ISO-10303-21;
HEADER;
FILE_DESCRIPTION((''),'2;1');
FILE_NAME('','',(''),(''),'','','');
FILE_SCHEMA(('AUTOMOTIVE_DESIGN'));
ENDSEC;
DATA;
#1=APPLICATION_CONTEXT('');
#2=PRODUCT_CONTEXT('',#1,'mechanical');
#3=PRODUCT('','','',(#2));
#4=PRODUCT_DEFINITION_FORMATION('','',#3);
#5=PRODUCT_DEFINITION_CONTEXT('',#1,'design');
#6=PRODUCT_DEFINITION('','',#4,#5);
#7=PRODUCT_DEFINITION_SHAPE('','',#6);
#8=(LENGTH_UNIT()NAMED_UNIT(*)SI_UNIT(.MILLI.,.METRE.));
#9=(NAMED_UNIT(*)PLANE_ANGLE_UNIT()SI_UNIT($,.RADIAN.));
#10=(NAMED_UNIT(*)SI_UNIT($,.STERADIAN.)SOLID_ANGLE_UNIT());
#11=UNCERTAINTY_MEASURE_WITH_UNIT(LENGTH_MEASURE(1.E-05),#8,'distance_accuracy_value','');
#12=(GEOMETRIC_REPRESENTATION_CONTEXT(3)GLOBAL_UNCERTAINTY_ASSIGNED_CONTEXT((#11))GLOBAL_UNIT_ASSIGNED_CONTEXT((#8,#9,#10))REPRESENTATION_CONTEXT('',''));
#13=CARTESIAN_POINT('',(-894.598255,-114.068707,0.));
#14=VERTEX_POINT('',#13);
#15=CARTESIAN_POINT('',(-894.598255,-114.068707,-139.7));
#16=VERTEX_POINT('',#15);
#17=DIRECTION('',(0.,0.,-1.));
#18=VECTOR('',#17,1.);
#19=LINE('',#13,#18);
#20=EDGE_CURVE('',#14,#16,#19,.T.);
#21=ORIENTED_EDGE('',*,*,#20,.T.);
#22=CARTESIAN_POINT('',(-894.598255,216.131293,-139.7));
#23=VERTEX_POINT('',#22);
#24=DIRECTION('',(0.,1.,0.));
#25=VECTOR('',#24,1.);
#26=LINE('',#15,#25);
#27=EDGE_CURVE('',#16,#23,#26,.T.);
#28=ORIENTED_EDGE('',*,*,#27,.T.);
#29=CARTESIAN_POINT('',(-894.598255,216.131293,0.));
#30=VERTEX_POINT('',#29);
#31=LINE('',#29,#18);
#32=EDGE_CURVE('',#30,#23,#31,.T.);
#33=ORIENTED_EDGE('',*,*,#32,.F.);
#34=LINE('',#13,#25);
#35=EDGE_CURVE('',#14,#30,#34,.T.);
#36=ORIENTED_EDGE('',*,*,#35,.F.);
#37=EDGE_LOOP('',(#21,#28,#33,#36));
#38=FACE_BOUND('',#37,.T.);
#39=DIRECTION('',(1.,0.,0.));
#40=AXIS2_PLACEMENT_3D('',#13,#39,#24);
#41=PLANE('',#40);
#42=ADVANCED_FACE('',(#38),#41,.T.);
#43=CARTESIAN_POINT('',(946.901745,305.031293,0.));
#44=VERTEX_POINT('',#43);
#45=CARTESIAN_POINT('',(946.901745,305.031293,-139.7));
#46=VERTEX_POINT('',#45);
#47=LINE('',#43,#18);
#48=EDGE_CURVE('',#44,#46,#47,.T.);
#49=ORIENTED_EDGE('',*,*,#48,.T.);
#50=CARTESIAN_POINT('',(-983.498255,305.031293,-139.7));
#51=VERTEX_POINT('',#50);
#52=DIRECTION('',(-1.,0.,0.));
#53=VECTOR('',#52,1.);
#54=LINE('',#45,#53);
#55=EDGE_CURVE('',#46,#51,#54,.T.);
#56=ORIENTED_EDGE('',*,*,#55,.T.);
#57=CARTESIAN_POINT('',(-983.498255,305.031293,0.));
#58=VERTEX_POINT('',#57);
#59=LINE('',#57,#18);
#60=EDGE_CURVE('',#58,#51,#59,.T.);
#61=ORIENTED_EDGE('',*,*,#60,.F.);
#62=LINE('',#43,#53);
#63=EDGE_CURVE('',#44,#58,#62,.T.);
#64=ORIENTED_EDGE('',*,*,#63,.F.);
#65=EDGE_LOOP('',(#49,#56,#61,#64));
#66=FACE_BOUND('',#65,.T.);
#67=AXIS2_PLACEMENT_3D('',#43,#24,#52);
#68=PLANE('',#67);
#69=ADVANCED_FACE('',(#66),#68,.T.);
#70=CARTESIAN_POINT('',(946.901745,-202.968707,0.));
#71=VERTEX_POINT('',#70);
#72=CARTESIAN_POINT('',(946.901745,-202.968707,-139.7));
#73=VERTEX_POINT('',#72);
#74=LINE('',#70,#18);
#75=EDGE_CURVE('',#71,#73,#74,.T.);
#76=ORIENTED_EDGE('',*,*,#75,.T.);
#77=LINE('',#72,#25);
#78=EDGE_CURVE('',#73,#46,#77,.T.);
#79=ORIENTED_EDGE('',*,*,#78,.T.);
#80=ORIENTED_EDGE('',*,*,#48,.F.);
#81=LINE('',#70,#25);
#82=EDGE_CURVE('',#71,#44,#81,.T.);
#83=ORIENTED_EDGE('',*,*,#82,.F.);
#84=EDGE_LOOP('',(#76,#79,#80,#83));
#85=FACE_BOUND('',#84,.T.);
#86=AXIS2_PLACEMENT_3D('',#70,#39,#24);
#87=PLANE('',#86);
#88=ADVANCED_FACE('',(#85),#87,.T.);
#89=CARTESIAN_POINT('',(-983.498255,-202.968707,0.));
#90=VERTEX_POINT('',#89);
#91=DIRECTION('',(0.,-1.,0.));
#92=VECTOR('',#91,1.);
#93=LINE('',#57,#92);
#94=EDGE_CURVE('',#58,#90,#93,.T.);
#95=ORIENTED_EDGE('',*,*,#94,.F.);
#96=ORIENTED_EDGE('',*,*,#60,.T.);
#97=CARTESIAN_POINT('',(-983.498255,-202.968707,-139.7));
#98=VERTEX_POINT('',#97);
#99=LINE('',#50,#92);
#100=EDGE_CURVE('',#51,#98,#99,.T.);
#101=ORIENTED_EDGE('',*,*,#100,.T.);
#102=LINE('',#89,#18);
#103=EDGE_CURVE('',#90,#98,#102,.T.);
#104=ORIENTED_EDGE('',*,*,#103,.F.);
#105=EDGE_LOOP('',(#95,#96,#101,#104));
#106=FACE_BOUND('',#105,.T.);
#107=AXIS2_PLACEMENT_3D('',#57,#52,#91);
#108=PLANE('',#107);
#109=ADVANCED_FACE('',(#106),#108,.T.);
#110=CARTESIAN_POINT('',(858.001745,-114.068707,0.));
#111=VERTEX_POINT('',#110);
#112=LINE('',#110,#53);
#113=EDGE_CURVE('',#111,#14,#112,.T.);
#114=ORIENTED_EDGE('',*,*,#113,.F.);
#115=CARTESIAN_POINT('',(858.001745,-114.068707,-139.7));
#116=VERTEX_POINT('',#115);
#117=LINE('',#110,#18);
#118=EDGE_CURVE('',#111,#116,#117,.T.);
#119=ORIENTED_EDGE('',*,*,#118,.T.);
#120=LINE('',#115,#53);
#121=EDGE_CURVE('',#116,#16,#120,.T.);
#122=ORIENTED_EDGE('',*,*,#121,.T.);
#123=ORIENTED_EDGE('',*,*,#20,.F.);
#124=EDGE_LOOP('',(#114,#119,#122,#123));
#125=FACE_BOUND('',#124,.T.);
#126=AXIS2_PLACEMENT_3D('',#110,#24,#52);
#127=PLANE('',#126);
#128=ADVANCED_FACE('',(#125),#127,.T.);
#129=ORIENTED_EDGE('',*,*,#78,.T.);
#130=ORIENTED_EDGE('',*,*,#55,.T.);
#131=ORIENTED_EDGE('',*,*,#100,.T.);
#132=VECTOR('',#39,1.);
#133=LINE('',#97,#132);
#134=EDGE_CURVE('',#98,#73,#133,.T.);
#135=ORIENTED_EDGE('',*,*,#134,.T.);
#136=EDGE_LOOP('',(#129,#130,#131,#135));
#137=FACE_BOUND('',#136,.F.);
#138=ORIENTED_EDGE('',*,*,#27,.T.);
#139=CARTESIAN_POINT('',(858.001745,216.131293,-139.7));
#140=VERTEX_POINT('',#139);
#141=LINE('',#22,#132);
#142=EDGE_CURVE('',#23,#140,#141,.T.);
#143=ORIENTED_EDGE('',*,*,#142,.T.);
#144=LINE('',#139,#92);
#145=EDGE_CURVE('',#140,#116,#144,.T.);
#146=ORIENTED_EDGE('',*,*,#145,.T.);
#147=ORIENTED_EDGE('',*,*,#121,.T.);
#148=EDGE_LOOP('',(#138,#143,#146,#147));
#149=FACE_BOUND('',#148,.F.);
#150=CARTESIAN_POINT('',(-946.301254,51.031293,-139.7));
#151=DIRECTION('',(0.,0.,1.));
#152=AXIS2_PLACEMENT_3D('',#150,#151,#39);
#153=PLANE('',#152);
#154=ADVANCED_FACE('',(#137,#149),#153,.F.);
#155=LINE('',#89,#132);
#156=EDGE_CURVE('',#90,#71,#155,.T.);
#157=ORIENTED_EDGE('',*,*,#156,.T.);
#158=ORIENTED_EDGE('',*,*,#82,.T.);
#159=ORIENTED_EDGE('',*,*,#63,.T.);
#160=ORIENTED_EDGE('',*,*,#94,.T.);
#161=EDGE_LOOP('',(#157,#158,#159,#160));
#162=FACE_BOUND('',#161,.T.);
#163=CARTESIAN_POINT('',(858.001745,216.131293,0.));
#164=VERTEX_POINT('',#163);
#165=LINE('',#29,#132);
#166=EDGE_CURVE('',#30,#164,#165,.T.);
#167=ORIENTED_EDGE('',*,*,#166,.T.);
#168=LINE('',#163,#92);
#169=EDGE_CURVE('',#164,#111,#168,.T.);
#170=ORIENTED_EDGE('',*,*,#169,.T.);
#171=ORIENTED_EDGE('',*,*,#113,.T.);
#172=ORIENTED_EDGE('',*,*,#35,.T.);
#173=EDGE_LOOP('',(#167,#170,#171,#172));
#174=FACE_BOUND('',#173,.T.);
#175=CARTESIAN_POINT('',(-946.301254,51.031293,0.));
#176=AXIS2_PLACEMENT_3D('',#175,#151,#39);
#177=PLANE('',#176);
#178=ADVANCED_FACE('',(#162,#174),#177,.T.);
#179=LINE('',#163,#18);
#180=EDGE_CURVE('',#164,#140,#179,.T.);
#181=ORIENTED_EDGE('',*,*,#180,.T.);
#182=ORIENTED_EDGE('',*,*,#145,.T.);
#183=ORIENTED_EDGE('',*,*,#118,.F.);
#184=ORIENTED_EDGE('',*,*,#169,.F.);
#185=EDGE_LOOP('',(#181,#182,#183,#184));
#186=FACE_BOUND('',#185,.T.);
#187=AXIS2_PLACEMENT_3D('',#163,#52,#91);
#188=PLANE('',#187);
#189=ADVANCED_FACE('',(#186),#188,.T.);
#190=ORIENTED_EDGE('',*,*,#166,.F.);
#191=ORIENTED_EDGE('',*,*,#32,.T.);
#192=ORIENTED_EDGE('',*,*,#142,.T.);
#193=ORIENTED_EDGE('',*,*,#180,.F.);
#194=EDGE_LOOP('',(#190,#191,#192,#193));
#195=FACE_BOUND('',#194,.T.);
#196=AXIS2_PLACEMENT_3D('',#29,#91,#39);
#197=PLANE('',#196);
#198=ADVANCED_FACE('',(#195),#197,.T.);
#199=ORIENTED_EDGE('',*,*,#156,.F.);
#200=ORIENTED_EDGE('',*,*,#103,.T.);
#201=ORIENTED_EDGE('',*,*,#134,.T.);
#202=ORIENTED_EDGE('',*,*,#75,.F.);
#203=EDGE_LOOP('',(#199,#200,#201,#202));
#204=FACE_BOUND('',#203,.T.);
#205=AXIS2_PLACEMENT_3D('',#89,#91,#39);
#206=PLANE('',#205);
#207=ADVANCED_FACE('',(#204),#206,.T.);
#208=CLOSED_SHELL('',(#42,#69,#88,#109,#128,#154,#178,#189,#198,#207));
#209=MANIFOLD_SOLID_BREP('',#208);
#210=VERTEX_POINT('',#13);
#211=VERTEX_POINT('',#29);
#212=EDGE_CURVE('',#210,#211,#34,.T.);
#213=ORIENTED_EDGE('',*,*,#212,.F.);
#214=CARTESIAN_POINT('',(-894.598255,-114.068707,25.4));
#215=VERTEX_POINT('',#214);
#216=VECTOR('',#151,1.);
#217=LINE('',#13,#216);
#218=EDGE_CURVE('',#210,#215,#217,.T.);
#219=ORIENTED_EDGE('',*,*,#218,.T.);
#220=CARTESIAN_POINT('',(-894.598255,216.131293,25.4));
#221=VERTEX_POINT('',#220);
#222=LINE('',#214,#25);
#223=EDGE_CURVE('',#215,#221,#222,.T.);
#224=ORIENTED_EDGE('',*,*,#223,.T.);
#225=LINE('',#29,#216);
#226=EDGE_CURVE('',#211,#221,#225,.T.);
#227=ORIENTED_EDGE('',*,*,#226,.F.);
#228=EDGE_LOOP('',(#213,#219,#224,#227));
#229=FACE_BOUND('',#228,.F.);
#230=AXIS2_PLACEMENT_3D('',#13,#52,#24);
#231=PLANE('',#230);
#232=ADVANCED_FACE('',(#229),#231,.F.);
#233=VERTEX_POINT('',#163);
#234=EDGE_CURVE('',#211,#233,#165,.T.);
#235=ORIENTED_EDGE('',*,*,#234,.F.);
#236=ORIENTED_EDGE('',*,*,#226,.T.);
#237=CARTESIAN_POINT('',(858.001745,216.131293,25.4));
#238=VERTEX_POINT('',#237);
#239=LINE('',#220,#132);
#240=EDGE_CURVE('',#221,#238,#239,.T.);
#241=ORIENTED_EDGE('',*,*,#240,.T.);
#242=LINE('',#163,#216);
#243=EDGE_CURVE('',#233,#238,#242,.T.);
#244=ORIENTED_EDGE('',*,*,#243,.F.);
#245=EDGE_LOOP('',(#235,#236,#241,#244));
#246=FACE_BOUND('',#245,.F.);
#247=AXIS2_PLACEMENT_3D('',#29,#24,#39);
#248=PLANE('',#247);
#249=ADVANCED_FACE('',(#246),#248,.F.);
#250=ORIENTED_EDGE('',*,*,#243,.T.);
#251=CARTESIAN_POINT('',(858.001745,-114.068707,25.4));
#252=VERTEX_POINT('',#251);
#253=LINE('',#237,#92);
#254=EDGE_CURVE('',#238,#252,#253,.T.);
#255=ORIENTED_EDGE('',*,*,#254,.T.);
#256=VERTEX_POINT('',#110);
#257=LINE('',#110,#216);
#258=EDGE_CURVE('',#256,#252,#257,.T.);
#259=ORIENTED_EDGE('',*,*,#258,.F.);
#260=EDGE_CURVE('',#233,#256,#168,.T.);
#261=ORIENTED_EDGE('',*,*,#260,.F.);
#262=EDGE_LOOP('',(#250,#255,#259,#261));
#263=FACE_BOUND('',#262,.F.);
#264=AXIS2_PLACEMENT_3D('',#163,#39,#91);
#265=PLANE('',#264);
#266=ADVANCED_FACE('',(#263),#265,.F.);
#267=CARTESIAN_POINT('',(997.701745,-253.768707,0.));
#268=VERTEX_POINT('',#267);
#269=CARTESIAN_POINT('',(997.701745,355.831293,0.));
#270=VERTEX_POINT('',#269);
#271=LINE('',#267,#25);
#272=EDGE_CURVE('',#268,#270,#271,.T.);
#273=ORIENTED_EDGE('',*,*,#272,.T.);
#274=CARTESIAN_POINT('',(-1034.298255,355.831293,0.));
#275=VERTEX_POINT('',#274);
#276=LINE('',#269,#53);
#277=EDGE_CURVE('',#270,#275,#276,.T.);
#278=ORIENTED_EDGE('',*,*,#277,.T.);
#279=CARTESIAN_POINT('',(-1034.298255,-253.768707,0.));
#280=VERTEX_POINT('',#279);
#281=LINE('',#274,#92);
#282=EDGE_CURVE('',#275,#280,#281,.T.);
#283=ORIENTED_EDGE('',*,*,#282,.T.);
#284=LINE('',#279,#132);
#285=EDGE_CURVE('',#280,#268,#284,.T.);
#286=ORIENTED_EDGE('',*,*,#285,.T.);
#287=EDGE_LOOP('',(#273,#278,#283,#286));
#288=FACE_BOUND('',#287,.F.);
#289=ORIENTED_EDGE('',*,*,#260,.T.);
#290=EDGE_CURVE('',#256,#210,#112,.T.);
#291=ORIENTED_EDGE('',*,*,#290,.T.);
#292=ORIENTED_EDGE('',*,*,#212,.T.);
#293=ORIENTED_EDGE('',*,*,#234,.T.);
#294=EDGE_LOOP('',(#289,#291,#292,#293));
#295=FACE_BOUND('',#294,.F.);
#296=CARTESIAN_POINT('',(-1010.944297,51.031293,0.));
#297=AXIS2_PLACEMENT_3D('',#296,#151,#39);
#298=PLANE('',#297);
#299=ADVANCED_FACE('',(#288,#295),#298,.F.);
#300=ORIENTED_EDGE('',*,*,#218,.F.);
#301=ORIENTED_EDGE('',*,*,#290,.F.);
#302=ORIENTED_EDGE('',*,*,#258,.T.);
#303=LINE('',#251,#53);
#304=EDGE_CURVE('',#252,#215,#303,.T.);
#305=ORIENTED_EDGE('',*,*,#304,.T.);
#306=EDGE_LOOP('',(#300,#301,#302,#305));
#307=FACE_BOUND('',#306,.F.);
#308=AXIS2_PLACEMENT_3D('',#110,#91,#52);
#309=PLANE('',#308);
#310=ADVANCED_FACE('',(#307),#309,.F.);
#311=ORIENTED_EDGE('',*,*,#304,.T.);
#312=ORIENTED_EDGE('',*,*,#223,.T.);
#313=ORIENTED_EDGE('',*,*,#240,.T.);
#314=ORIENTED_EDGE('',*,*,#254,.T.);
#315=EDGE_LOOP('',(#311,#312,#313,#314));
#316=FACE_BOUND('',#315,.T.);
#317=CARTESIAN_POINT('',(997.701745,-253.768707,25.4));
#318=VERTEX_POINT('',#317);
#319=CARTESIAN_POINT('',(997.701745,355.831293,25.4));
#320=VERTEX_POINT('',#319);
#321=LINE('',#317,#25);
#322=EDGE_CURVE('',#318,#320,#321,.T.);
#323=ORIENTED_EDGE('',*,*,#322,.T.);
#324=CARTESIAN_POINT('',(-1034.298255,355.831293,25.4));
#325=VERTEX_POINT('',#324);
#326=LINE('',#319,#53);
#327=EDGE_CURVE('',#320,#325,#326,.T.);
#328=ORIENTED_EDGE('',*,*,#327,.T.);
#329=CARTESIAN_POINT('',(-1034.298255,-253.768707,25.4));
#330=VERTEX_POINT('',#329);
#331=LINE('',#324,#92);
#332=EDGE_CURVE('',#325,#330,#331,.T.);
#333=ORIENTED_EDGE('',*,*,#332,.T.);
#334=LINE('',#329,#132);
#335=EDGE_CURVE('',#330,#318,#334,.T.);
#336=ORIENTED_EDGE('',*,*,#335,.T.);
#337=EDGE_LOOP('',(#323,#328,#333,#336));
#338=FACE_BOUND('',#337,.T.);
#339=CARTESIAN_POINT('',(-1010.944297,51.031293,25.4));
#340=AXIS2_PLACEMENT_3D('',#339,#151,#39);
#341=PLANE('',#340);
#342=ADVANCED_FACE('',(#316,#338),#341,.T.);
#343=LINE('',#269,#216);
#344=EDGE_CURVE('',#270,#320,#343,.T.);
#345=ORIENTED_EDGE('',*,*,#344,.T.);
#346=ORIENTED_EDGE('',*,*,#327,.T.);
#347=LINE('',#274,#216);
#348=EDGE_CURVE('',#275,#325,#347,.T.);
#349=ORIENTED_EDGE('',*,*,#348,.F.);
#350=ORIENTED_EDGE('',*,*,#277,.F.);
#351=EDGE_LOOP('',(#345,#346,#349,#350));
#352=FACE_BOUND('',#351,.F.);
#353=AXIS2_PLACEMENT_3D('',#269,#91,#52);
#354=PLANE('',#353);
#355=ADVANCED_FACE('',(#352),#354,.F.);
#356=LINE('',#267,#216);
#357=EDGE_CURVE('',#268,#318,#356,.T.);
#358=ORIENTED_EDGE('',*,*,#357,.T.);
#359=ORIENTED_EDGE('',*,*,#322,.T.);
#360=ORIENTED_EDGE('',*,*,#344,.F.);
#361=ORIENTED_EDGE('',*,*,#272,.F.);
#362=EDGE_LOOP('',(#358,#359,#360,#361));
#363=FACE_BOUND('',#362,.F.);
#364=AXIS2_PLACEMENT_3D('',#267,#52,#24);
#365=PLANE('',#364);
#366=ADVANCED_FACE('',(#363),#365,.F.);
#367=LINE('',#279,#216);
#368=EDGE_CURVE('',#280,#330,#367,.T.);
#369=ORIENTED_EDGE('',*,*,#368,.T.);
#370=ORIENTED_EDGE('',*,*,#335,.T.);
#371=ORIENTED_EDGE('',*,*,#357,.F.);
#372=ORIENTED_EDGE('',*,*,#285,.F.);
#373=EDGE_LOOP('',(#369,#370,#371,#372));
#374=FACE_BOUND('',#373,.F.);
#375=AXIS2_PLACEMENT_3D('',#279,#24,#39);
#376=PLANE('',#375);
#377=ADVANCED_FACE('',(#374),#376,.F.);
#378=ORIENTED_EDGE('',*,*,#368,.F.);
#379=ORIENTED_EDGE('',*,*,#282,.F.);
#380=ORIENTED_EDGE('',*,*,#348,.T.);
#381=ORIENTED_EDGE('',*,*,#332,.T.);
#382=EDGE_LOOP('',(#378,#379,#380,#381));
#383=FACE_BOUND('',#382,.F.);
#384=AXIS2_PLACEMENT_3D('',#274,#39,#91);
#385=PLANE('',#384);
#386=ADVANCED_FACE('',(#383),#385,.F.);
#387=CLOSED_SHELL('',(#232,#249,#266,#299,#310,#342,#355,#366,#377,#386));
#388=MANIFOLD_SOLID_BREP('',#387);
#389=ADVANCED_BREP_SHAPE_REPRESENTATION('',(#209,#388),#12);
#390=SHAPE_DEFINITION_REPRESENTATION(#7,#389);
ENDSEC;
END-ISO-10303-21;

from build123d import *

# Parameters (mm, degrees)
F1_DEPTH = 25.4
F2_DEPTH = 139.7


with BuildPart() as f1:
    # F0 (on Top) → F1 (new body)
    with BuildSketch(Plane.XY):
        Polygon((-983.498255, 305.031293), (-1034.298255, 355.831293), (-1034.298255, -253.768707), (-983.498255, -202.968707), align=None)
        Polygon((997.701745, 355.831293), (-1034.298255, 355.831293), (-983.498255, 305.031293), (946.901745, 305.031293), align=None)
        Polygon((997.701745, -253.768707), (997.701745, 355.831293), (946.901745, 305.031293), (946.901745, -202.968707), align=None)
        Polygon((-983.498255, -202.968707), (-1034.298255, -253.768707), (997.701745, -253.768707), (946.901745, -202.968707), align=None)
        Polygon((-894.598255, 216.131293), (-983.498255, 305.031293), (-983.498255, -202.968707), (-894.598255, -114.068707), align=None)
        Polygon((946.901745, 305.031293), (-983.498255, 305.031293), (-894.598255, 216.131293), (858.001745, 216.131293), align=None)
        Polygon((946.901745, -202.968707), (946.901745, 305.031293), (858.001745, 216.131293), (858.001745, -114.068707), align=None)
        Polygon((-894.598255, -114.068707), (-983.498255, -202.968707), (946.901745, -202.968707), (858.001745, -114.068707), align=None)
    extrude(amount=F1_DEPTH)


with BuildPart() as f2:
    # F0 (on Top) → F2 (new body)
    with BuildSketch(Plane.XY):
        Polygon((-894.598255, 216.131293), (-983.498255, 305.031293), (-983.498255, -202.968707), (-894.598255, -114.068707), align=None)
        Polygon((-894.598255, -114.068707), (-983.498255, -202.968707), (946.901745, -202.968707), (858.001745, -114.068707), align=None)
        Polygon((946.901745, -202.968707), (946.901745, 305.031293), (858.001745, 216.131293), (858.001745, -114.068707), align=None)
        Polygon((946.901745, 305.031293), (-983.498255, 305.031293), (-894.598255, 216.131293), (858.001745, 216.131293), align=None)
    extrude(amount=-F2_DEPTH)


solid = Compound([f1.part, f2.part])
